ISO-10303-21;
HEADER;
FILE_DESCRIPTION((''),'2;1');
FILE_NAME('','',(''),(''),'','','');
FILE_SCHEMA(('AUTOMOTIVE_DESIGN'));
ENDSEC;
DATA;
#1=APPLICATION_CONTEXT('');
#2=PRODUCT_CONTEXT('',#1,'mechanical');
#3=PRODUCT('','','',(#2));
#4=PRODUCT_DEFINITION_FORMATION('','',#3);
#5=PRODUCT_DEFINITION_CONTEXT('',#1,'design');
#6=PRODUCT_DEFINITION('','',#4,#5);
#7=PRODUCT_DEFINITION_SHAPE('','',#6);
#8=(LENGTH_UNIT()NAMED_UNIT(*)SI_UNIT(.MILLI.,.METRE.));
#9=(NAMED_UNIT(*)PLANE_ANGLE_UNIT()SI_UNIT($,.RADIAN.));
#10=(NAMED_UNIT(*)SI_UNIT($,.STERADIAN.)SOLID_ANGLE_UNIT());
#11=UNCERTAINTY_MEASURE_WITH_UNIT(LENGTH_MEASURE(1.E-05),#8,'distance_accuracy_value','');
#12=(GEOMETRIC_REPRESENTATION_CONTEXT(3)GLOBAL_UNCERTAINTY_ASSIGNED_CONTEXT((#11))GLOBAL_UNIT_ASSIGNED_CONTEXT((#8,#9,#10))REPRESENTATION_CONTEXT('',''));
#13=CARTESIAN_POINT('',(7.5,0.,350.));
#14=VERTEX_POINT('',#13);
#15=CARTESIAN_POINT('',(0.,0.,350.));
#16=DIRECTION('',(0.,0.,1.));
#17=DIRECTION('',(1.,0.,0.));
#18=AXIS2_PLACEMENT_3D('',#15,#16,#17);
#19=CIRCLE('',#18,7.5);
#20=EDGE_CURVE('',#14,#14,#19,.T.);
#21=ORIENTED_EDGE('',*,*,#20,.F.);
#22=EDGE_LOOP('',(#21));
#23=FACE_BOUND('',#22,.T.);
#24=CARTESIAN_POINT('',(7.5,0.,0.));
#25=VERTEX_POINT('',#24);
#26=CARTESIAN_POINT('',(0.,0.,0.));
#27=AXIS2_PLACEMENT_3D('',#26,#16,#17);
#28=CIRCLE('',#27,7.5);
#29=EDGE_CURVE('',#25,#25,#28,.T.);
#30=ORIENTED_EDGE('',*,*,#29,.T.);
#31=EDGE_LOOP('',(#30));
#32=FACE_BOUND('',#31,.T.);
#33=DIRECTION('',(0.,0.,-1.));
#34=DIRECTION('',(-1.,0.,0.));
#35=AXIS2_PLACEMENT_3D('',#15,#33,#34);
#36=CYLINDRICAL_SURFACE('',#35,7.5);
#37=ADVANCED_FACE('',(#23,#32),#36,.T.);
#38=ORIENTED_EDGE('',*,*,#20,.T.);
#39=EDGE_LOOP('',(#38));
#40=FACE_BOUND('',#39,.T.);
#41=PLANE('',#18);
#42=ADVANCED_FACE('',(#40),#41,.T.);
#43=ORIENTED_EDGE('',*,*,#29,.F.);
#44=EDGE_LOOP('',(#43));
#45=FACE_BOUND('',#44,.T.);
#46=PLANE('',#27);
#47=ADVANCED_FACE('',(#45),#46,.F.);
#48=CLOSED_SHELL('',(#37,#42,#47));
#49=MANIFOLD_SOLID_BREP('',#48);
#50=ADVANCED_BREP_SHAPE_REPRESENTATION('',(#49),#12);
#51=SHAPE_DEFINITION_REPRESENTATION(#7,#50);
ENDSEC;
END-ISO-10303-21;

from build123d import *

# Parameters (mm, degrees)
CROQUIS1_R              = 7.5
SALIENTE_EXTRUIR1_DEPTH = 350


with BuildPart() as part:
    # Croquis1 → Saliente-Extruir1 (new body)
    with BuildSketch(Plane.XY):
        Circle(CROQUIS1_R)
    extrude(amount=SALIENTE_EXTRUIR1_DEPTH)


solid = part.part
